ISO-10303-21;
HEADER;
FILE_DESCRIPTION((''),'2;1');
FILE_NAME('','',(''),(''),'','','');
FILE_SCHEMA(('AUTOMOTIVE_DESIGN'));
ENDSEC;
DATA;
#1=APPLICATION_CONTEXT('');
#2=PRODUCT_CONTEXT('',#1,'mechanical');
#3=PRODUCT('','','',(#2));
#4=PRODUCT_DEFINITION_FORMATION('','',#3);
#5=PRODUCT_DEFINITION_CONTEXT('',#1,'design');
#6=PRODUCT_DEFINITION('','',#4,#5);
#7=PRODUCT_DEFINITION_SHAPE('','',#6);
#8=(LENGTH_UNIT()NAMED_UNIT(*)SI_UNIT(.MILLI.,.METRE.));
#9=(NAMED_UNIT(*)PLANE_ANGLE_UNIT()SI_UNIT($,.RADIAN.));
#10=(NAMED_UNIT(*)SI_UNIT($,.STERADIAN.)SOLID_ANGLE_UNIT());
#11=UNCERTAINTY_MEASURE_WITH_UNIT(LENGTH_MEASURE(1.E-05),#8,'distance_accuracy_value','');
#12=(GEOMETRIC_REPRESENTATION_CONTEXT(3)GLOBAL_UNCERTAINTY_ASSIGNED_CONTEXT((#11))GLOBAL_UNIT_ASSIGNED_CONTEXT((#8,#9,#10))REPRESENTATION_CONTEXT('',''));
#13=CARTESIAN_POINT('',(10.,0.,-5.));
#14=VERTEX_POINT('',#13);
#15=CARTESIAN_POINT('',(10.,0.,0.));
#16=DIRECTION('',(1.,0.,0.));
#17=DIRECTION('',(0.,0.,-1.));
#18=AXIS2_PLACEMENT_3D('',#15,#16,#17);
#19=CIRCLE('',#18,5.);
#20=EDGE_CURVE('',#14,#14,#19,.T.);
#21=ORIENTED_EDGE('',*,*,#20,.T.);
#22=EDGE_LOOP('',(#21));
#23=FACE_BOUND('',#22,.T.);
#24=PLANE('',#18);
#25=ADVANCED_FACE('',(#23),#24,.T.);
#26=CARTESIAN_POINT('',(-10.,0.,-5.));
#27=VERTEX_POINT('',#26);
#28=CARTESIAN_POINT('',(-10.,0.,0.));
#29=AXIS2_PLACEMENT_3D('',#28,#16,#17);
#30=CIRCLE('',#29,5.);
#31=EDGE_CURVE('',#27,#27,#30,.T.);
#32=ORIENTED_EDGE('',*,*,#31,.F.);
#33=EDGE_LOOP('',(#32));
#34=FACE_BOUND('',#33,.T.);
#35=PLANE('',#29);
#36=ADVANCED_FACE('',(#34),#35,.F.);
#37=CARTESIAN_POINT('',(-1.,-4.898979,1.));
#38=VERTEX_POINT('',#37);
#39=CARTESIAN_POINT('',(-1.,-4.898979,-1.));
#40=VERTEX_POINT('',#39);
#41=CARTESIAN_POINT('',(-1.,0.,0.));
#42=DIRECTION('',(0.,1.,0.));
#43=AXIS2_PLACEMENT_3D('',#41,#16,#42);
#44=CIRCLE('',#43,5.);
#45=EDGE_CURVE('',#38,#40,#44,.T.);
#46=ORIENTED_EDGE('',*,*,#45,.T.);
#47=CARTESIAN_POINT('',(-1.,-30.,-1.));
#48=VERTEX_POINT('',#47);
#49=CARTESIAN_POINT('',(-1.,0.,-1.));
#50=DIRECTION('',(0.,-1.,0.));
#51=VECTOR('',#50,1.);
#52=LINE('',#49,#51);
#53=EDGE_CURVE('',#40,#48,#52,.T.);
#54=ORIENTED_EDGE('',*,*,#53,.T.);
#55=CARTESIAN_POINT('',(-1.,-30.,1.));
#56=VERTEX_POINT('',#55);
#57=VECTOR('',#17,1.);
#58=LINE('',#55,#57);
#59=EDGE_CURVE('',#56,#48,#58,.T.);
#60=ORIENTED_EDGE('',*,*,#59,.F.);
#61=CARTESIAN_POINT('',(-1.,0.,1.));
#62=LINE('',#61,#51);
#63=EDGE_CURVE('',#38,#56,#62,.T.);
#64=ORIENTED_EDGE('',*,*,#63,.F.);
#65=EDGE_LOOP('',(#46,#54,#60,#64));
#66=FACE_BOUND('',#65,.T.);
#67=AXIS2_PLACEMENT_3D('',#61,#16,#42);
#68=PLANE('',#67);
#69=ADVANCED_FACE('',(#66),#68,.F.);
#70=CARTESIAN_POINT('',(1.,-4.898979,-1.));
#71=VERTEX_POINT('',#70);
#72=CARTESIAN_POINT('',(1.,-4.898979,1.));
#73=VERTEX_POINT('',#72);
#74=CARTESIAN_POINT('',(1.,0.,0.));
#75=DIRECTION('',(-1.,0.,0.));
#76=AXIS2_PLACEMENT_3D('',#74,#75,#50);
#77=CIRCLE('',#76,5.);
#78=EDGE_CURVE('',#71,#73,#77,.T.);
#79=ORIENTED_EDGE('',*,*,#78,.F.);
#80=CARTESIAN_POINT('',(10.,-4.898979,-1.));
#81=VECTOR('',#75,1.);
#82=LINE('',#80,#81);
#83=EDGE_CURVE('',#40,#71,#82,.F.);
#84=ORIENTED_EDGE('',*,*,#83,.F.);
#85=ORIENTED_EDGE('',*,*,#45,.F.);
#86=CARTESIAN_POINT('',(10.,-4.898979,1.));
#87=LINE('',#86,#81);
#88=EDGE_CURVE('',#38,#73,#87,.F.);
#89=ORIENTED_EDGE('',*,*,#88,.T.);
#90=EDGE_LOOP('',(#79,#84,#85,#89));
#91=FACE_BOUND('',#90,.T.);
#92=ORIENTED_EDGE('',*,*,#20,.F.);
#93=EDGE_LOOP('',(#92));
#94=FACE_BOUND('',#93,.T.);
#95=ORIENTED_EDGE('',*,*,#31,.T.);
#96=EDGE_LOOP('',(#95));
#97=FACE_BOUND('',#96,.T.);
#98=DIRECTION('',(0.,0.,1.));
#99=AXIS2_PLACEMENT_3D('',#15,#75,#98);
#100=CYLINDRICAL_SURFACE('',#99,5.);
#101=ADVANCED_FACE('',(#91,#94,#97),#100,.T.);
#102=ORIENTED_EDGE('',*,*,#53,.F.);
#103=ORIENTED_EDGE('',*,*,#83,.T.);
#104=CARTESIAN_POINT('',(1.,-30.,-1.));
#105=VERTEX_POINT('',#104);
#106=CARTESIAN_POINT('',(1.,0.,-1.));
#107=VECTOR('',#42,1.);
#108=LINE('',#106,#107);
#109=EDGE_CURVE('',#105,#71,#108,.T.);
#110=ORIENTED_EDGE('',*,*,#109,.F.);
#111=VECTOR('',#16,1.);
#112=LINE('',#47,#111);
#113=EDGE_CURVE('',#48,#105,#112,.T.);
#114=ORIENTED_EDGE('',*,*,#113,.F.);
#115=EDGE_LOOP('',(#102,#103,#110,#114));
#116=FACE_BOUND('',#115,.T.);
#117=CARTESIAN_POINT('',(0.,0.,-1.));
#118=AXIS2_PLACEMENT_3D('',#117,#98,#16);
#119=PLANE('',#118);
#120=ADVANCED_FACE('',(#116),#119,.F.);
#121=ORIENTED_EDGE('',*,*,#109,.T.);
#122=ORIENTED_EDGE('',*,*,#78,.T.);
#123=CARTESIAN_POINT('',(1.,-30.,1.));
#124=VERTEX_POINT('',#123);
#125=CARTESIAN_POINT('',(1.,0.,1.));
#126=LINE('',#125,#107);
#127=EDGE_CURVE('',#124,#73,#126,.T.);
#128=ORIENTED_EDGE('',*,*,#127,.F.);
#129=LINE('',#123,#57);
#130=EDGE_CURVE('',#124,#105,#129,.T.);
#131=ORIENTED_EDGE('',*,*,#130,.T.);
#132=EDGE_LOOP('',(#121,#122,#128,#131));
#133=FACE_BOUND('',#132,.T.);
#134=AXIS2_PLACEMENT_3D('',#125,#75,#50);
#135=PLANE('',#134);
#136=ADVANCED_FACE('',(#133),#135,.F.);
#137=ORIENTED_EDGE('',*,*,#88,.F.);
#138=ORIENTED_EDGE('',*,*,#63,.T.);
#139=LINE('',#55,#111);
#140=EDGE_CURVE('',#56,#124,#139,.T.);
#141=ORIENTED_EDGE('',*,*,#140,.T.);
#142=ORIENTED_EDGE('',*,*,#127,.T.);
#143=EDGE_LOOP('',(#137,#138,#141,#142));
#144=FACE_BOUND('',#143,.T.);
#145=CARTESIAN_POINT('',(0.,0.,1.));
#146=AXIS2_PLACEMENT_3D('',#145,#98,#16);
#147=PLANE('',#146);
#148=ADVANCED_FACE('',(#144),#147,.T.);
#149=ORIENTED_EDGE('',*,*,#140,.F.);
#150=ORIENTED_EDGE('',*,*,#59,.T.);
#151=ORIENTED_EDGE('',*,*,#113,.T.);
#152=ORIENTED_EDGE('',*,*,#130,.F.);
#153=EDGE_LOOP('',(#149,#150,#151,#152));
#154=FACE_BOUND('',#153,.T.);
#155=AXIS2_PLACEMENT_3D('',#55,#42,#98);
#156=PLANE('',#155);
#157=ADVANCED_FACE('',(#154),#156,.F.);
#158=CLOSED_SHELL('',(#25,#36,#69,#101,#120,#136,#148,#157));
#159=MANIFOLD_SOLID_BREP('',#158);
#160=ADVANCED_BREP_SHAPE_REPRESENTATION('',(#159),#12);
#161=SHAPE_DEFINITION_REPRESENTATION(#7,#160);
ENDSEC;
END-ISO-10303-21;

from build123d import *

# Parameters (mm, degrees)
SKETCH1_R           = 5
BOSS_EXTRUDE1_DEPTH = 10
SKETCH2_W           = 2
SKETCH2_H           = 30
BOSS_EXTRUDE2_DEPTH = 1


with BuildPart() as part:
    # Sketch1 → Boss-Extrude1 (new, symmetric)
    with BuildSketch(Plane(origin=(0, 0, 0), x_dir=(0, 0, -1), z_dir=(1, 0, 0))):
        Circle(SKETCH1_R)
    extrude(amount=BOSS_EXTRUDE1_DEPTH, both=True)

    # Sketch2 → Boss-Extrude2 (add, symmetric)
    with BuildSketch(Plane.XY):
        with Locations((0, -15)):
            Rectangle(SKETCH2_W, SKETCH2_H)
    extrude(amount=BOSS_EXTRUDE2_DEPTH, both=True)


solid = part.part
